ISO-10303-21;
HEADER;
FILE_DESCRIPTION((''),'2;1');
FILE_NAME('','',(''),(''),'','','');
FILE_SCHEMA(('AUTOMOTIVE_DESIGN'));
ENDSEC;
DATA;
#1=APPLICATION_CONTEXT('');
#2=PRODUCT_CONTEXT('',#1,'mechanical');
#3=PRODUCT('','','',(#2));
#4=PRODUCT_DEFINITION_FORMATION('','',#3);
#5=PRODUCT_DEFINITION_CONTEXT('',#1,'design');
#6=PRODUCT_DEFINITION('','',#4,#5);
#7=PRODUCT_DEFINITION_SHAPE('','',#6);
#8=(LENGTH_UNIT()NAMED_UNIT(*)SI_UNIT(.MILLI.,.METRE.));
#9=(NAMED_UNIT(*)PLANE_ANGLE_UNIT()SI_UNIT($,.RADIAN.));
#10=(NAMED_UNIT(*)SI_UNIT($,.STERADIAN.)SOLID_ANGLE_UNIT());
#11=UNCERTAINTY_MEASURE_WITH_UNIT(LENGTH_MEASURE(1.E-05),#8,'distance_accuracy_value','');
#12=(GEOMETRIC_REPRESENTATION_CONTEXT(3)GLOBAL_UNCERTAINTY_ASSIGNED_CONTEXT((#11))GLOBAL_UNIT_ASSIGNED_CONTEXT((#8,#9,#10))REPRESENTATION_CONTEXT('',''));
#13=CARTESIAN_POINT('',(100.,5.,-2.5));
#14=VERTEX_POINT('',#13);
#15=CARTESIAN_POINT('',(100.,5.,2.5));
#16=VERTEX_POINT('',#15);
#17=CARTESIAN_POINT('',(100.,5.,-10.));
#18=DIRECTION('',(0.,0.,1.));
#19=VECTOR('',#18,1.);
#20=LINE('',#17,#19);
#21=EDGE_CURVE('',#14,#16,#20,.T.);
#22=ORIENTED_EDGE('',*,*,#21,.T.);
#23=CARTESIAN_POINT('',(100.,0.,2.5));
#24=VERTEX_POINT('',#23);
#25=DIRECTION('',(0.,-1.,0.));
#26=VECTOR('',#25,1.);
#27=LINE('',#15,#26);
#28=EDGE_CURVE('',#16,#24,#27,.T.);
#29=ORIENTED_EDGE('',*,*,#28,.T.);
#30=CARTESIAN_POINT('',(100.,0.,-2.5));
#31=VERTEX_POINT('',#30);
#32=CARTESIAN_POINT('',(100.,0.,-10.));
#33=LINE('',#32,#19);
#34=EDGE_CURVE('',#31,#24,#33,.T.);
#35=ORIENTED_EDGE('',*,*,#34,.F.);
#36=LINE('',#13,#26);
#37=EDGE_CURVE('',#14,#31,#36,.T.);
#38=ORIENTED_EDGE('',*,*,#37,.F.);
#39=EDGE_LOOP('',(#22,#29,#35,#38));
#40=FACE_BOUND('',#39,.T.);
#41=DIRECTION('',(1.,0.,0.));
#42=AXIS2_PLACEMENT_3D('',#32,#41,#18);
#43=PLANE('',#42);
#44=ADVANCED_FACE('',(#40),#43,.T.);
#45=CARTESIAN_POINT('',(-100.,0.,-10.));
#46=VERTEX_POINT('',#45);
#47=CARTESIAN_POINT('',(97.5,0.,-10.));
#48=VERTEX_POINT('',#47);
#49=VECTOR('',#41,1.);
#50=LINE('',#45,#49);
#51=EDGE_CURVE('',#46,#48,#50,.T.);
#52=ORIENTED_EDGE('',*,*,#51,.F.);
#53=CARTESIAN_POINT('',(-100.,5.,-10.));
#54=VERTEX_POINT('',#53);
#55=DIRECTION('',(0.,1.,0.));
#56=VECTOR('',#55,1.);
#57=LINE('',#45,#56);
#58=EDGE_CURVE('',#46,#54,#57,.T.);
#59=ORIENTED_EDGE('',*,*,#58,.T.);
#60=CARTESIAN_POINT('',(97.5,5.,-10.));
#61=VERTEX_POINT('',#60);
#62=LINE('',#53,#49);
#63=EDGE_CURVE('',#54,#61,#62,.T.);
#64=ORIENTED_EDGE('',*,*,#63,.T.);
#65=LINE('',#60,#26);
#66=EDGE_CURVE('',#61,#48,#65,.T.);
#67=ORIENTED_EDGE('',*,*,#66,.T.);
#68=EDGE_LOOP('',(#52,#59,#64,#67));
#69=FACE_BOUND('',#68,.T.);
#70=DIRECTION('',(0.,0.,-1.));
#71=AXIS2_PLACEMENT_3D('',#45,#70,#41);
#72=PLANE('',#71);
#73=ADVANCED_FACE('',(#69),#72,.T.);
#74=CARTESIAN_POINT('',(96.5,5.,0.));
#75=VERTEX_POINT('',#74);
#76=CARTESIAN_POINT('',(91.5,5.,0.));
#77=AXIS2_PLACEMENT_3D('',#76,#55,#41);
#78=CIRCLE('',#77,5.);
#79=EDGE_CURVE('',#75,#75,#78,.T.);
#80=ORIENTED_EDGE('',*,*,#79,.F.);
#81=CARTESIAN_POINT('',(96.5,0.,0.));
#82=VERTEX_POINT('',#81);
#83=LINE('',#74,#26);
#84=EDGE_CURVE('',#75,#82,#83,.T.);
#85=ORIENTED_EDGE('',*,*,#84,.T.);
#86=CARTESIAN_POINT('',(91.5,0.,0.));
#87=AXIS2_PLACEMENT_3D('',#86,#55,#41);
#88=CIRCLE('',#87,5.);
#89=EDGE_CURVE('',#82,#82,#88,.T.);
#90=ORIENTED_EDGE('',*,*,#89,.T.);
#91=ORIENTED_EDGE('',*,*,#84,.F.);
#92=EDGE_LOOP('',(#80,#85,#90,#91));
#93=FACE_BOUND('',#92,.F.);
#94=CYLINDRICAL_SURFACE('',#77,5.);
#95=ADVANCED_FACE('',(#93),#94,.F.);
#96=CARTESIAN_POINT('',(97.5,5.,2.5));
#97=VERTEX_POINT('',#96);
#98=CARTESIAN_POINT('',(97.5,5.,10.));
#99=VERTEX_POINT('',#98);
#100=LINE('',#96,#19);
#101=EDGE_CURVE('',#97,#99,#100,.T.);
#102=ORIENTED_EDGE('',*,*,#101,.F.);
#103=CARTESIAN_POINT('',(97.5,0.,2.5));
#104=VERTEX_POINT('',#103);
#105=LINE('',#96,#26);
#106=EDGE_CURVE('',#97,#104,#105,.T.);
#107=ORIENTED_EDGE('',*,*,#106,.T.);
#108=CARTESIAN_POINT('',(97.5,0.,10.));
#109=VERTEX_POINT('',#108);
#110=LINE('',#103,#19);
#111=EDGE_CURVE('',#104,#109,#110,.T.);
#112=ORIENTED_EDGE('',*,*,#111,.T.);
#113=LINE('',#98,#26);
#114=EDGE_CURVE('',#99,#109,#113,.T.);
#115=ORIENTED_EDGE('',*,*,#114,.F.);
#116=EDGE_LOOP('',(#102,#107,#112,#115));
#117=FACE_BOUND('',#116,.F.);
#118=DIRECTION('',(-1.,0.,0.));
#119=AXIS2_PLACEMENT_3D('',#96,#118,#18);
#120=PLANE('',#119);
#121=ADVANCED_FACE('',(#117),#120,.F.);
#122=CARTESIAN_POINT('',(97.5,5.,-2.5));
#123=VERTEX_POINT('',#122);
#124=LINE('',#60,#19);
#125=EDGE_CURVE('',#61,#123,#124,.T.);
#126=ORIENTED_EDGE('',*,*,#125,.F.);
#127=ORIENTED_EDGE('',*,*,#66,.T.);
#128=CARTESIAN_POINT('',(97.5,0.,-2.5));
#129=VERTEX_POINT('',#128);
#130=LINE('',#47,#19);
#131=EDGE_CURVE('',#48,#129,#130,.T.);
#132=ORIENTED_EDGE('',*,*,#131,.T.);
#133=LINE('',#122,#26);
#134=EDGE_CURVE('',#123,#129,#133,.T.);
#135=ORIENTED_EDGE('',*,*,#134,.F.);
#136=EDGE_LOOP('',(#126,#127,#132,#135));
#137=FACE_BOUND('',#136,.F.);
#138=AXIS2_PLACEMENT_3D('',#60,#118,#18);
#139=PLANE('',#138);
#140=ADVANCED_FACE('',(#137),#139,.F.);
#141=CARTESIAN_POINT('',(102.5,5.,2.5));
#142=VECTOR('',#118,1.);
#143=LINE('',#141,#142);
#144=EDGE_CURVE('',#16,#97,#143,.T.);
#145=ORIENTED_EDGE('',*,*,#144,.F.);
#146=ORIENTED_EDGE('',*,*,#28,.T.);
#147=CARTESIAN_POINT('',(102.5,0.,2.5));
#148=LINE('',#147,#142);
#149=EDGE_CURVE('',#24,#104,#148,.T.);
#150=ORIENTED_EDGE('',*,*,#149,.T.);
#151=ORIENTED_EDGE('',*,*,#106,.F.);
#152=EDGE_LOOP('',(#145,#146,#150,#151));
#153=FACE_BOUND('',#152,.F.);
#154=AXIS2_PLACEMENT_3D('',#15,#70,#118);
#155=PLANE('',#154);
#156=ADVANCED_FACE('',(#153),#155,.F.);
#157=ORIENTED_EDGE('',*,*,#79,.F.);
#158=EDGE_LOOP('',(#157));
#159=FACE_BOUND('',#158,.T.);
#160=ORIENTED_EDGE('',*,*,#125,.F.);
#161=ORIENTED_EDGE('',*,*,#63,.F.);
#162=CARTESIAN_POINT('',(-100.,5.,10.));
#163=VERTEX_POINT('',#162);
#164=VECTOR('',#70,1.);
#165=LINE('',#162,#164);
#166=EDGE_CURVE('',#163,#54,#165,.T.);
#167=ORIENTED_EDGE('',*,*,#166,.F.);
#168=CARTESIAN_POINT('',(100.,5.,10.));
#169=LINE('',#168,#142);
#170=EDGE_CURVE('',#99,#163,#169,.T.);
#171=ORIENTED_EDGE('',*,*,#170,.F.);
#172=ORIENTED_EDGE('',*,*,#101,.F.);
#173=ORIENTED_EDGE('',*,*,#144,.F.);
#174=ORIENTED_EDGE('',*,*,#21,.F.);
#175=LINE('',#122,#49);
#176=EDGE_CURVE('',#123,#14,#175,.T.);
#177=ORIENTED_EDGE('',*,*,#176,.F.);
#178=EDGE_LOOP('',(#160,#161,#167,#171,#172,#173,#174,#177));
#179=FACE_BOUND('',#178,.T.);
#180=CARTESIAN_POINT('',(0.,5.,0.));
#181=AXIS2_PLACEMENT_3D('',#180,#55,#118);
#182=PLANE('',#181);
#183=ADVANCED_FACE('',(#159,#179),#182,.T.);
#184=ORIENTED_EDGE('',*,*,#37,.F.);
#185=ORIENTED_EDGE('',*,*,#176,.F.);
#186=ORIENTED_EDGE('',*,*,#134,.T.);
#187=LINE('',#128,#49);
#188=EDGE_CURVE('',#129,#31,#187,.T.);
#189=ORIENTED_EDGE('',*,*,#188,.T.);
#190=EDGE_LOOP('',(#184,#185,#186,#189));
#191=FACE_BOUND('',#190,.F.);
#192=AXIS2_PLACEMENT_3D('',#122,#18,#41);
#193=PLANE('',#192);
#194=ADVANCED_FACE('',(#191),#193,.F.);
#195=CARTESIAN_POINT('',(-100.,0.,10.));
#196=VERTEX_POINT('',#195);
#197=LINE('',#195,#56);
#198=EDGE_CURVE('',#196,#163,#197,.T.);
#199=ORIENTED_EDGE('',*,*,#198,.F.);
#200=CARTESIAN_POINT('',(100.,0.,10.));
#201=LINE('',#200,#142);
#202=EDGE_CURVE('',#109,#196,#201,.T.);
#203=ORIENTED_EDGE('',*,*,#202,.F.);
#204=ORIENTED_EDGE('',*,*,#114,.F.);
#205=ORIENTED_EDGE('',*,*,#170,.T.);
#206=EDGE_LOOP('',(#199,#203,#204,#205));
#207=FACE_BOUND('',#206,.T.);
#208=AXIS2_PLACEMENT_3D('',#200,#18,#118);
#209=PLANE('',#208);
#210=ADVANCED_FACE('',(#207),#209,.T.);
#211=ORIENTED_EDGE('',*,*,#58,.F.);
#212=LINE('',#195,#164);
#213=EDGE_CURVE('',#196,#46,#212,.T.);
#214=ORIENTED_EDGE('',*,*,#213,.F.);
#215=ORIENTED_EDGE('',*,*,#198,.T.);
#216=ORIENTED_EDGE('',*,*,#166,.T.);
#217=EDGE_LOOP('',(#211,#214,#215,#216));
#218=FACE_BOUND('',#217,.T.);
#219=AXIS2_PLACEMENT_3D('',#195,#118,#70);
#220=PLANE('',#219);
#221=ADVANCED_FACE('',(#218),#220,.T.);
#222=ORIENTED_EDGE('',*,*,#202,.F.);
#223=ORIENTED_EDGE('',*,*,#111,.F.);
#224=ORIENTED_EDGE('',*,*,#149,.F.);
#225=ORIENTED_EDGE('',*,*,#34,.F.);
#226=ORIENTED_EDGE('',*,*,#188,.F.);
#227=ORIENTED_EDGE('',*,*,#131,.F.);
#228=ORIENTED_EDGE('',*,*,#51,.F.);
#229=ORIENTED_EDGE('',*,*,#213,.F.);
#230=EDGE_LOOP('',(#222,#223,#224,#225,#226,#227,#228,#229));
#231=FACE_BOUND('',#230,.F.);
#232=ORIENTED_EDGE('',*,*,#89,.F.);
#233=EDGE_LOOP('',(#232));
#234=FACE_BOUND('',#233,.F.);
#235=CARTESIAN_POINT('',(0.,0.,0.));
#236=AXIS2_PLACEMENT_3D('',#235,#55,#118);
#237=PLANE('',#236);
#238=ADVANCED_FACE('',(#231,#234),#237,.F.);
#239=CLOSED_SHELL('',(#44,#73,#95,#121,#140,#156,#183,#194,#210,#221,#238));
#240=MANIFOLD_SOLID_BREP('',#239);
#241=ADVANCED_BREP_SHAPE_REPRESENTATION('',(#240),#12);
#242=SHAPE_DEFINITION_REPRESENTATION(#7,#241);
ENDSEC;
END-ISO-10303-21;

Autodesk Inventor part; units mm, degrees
ref_plane "YZ Plane" through (0, 0, 0) normal (1, 0, 0) x (0, 1, 0)
ref_plane "XZ Plane" through (0, 0, 0) normal (0, 1, 0) x (-1, 0, 0)
ref_plane "XY Plane" through (0, 0, 0) normal (0, 0, 1) x (1, 0, 0)
sketch "Sketch1" plane through (0, 0, 0) normal (0, 1, 0) x (-1, 0, 0)
  line L0 (-100, 10) -> (100, 10)
  line L1 (100, 10) -> (100, -10)
  line L2 (100, -10) -> (-100, -10)
  line L3 (-100, -10) -> (-100, 10)
  line L4 (-100, 10) -> (100, -10) construction
  line L5 (100, 10) -> (-100, -10) construction
  point P0 (0, 0)
  dimension "d0" = 200
  dimension "d1" = 20
extrude "Extrusion1" add sketch "Sketch1" along normal blind 5
sketch "Sketch2" plane through (0, 5, 0) normal (0, 1, 0) x (1, 0, 0)
  line L0 (97.5, 2.5) -> (102.5, 2.5)
  line L1 (102.5, 2.5) -> (102.5, -2.5)
  line L2 (102.5, -2.5) -> (97.5, -2.5)
  line L3 (97.5, -2.5) -> (97.5, 2.5)
  line L4 (100, -10) -> (100, 10) projected
  line L5 (97.5, 2.5) -> (102.5, -2.5) construction
  line L6 (102.5, 2.5) -> (97.5, -2.5) construction
  line L7 (97.5, -2.5) -> (97.5, -10)
  line L8 (-100, -10) -> (100, -10) projected
  line L9 (97.5, -10) -> (100, -10)
  line L10 (100, -10) -> (100, 10)
  line L11 (100, 10) -> (-100, 10) projected
  line L12 (97.5, 10) -> (97.5, 2.5)
  point P0 (0, 0)
  point P1 (100, 0)
  point P2 (100, 2.5)
  point P3 (100, -2.5)
  dimension "d4" = 5
  dimension "d5" = 5
extrude "Extrusion2" cut sketch "Sketch2" against normal blind 5 contours L12 L11 L4 L0 | L2 L4 L8 L7
sketch "Sketch3" plane through (0, 5, 0) normal (0, 1, 0) x (1, 0, 0)
  circle A0 centre (91.5, 0) radius 5
  line L0 (97.5, -10) -> (97.5, -2.5) projected
  point P0 (0, 0)
  dimension "d8" = 10
  dimension "d9" = 6
extrude "Extrusion3" cut sketch "Sketch3" against normal blind 5
properties part number "Zaxix" material "Wood (Birch)"
